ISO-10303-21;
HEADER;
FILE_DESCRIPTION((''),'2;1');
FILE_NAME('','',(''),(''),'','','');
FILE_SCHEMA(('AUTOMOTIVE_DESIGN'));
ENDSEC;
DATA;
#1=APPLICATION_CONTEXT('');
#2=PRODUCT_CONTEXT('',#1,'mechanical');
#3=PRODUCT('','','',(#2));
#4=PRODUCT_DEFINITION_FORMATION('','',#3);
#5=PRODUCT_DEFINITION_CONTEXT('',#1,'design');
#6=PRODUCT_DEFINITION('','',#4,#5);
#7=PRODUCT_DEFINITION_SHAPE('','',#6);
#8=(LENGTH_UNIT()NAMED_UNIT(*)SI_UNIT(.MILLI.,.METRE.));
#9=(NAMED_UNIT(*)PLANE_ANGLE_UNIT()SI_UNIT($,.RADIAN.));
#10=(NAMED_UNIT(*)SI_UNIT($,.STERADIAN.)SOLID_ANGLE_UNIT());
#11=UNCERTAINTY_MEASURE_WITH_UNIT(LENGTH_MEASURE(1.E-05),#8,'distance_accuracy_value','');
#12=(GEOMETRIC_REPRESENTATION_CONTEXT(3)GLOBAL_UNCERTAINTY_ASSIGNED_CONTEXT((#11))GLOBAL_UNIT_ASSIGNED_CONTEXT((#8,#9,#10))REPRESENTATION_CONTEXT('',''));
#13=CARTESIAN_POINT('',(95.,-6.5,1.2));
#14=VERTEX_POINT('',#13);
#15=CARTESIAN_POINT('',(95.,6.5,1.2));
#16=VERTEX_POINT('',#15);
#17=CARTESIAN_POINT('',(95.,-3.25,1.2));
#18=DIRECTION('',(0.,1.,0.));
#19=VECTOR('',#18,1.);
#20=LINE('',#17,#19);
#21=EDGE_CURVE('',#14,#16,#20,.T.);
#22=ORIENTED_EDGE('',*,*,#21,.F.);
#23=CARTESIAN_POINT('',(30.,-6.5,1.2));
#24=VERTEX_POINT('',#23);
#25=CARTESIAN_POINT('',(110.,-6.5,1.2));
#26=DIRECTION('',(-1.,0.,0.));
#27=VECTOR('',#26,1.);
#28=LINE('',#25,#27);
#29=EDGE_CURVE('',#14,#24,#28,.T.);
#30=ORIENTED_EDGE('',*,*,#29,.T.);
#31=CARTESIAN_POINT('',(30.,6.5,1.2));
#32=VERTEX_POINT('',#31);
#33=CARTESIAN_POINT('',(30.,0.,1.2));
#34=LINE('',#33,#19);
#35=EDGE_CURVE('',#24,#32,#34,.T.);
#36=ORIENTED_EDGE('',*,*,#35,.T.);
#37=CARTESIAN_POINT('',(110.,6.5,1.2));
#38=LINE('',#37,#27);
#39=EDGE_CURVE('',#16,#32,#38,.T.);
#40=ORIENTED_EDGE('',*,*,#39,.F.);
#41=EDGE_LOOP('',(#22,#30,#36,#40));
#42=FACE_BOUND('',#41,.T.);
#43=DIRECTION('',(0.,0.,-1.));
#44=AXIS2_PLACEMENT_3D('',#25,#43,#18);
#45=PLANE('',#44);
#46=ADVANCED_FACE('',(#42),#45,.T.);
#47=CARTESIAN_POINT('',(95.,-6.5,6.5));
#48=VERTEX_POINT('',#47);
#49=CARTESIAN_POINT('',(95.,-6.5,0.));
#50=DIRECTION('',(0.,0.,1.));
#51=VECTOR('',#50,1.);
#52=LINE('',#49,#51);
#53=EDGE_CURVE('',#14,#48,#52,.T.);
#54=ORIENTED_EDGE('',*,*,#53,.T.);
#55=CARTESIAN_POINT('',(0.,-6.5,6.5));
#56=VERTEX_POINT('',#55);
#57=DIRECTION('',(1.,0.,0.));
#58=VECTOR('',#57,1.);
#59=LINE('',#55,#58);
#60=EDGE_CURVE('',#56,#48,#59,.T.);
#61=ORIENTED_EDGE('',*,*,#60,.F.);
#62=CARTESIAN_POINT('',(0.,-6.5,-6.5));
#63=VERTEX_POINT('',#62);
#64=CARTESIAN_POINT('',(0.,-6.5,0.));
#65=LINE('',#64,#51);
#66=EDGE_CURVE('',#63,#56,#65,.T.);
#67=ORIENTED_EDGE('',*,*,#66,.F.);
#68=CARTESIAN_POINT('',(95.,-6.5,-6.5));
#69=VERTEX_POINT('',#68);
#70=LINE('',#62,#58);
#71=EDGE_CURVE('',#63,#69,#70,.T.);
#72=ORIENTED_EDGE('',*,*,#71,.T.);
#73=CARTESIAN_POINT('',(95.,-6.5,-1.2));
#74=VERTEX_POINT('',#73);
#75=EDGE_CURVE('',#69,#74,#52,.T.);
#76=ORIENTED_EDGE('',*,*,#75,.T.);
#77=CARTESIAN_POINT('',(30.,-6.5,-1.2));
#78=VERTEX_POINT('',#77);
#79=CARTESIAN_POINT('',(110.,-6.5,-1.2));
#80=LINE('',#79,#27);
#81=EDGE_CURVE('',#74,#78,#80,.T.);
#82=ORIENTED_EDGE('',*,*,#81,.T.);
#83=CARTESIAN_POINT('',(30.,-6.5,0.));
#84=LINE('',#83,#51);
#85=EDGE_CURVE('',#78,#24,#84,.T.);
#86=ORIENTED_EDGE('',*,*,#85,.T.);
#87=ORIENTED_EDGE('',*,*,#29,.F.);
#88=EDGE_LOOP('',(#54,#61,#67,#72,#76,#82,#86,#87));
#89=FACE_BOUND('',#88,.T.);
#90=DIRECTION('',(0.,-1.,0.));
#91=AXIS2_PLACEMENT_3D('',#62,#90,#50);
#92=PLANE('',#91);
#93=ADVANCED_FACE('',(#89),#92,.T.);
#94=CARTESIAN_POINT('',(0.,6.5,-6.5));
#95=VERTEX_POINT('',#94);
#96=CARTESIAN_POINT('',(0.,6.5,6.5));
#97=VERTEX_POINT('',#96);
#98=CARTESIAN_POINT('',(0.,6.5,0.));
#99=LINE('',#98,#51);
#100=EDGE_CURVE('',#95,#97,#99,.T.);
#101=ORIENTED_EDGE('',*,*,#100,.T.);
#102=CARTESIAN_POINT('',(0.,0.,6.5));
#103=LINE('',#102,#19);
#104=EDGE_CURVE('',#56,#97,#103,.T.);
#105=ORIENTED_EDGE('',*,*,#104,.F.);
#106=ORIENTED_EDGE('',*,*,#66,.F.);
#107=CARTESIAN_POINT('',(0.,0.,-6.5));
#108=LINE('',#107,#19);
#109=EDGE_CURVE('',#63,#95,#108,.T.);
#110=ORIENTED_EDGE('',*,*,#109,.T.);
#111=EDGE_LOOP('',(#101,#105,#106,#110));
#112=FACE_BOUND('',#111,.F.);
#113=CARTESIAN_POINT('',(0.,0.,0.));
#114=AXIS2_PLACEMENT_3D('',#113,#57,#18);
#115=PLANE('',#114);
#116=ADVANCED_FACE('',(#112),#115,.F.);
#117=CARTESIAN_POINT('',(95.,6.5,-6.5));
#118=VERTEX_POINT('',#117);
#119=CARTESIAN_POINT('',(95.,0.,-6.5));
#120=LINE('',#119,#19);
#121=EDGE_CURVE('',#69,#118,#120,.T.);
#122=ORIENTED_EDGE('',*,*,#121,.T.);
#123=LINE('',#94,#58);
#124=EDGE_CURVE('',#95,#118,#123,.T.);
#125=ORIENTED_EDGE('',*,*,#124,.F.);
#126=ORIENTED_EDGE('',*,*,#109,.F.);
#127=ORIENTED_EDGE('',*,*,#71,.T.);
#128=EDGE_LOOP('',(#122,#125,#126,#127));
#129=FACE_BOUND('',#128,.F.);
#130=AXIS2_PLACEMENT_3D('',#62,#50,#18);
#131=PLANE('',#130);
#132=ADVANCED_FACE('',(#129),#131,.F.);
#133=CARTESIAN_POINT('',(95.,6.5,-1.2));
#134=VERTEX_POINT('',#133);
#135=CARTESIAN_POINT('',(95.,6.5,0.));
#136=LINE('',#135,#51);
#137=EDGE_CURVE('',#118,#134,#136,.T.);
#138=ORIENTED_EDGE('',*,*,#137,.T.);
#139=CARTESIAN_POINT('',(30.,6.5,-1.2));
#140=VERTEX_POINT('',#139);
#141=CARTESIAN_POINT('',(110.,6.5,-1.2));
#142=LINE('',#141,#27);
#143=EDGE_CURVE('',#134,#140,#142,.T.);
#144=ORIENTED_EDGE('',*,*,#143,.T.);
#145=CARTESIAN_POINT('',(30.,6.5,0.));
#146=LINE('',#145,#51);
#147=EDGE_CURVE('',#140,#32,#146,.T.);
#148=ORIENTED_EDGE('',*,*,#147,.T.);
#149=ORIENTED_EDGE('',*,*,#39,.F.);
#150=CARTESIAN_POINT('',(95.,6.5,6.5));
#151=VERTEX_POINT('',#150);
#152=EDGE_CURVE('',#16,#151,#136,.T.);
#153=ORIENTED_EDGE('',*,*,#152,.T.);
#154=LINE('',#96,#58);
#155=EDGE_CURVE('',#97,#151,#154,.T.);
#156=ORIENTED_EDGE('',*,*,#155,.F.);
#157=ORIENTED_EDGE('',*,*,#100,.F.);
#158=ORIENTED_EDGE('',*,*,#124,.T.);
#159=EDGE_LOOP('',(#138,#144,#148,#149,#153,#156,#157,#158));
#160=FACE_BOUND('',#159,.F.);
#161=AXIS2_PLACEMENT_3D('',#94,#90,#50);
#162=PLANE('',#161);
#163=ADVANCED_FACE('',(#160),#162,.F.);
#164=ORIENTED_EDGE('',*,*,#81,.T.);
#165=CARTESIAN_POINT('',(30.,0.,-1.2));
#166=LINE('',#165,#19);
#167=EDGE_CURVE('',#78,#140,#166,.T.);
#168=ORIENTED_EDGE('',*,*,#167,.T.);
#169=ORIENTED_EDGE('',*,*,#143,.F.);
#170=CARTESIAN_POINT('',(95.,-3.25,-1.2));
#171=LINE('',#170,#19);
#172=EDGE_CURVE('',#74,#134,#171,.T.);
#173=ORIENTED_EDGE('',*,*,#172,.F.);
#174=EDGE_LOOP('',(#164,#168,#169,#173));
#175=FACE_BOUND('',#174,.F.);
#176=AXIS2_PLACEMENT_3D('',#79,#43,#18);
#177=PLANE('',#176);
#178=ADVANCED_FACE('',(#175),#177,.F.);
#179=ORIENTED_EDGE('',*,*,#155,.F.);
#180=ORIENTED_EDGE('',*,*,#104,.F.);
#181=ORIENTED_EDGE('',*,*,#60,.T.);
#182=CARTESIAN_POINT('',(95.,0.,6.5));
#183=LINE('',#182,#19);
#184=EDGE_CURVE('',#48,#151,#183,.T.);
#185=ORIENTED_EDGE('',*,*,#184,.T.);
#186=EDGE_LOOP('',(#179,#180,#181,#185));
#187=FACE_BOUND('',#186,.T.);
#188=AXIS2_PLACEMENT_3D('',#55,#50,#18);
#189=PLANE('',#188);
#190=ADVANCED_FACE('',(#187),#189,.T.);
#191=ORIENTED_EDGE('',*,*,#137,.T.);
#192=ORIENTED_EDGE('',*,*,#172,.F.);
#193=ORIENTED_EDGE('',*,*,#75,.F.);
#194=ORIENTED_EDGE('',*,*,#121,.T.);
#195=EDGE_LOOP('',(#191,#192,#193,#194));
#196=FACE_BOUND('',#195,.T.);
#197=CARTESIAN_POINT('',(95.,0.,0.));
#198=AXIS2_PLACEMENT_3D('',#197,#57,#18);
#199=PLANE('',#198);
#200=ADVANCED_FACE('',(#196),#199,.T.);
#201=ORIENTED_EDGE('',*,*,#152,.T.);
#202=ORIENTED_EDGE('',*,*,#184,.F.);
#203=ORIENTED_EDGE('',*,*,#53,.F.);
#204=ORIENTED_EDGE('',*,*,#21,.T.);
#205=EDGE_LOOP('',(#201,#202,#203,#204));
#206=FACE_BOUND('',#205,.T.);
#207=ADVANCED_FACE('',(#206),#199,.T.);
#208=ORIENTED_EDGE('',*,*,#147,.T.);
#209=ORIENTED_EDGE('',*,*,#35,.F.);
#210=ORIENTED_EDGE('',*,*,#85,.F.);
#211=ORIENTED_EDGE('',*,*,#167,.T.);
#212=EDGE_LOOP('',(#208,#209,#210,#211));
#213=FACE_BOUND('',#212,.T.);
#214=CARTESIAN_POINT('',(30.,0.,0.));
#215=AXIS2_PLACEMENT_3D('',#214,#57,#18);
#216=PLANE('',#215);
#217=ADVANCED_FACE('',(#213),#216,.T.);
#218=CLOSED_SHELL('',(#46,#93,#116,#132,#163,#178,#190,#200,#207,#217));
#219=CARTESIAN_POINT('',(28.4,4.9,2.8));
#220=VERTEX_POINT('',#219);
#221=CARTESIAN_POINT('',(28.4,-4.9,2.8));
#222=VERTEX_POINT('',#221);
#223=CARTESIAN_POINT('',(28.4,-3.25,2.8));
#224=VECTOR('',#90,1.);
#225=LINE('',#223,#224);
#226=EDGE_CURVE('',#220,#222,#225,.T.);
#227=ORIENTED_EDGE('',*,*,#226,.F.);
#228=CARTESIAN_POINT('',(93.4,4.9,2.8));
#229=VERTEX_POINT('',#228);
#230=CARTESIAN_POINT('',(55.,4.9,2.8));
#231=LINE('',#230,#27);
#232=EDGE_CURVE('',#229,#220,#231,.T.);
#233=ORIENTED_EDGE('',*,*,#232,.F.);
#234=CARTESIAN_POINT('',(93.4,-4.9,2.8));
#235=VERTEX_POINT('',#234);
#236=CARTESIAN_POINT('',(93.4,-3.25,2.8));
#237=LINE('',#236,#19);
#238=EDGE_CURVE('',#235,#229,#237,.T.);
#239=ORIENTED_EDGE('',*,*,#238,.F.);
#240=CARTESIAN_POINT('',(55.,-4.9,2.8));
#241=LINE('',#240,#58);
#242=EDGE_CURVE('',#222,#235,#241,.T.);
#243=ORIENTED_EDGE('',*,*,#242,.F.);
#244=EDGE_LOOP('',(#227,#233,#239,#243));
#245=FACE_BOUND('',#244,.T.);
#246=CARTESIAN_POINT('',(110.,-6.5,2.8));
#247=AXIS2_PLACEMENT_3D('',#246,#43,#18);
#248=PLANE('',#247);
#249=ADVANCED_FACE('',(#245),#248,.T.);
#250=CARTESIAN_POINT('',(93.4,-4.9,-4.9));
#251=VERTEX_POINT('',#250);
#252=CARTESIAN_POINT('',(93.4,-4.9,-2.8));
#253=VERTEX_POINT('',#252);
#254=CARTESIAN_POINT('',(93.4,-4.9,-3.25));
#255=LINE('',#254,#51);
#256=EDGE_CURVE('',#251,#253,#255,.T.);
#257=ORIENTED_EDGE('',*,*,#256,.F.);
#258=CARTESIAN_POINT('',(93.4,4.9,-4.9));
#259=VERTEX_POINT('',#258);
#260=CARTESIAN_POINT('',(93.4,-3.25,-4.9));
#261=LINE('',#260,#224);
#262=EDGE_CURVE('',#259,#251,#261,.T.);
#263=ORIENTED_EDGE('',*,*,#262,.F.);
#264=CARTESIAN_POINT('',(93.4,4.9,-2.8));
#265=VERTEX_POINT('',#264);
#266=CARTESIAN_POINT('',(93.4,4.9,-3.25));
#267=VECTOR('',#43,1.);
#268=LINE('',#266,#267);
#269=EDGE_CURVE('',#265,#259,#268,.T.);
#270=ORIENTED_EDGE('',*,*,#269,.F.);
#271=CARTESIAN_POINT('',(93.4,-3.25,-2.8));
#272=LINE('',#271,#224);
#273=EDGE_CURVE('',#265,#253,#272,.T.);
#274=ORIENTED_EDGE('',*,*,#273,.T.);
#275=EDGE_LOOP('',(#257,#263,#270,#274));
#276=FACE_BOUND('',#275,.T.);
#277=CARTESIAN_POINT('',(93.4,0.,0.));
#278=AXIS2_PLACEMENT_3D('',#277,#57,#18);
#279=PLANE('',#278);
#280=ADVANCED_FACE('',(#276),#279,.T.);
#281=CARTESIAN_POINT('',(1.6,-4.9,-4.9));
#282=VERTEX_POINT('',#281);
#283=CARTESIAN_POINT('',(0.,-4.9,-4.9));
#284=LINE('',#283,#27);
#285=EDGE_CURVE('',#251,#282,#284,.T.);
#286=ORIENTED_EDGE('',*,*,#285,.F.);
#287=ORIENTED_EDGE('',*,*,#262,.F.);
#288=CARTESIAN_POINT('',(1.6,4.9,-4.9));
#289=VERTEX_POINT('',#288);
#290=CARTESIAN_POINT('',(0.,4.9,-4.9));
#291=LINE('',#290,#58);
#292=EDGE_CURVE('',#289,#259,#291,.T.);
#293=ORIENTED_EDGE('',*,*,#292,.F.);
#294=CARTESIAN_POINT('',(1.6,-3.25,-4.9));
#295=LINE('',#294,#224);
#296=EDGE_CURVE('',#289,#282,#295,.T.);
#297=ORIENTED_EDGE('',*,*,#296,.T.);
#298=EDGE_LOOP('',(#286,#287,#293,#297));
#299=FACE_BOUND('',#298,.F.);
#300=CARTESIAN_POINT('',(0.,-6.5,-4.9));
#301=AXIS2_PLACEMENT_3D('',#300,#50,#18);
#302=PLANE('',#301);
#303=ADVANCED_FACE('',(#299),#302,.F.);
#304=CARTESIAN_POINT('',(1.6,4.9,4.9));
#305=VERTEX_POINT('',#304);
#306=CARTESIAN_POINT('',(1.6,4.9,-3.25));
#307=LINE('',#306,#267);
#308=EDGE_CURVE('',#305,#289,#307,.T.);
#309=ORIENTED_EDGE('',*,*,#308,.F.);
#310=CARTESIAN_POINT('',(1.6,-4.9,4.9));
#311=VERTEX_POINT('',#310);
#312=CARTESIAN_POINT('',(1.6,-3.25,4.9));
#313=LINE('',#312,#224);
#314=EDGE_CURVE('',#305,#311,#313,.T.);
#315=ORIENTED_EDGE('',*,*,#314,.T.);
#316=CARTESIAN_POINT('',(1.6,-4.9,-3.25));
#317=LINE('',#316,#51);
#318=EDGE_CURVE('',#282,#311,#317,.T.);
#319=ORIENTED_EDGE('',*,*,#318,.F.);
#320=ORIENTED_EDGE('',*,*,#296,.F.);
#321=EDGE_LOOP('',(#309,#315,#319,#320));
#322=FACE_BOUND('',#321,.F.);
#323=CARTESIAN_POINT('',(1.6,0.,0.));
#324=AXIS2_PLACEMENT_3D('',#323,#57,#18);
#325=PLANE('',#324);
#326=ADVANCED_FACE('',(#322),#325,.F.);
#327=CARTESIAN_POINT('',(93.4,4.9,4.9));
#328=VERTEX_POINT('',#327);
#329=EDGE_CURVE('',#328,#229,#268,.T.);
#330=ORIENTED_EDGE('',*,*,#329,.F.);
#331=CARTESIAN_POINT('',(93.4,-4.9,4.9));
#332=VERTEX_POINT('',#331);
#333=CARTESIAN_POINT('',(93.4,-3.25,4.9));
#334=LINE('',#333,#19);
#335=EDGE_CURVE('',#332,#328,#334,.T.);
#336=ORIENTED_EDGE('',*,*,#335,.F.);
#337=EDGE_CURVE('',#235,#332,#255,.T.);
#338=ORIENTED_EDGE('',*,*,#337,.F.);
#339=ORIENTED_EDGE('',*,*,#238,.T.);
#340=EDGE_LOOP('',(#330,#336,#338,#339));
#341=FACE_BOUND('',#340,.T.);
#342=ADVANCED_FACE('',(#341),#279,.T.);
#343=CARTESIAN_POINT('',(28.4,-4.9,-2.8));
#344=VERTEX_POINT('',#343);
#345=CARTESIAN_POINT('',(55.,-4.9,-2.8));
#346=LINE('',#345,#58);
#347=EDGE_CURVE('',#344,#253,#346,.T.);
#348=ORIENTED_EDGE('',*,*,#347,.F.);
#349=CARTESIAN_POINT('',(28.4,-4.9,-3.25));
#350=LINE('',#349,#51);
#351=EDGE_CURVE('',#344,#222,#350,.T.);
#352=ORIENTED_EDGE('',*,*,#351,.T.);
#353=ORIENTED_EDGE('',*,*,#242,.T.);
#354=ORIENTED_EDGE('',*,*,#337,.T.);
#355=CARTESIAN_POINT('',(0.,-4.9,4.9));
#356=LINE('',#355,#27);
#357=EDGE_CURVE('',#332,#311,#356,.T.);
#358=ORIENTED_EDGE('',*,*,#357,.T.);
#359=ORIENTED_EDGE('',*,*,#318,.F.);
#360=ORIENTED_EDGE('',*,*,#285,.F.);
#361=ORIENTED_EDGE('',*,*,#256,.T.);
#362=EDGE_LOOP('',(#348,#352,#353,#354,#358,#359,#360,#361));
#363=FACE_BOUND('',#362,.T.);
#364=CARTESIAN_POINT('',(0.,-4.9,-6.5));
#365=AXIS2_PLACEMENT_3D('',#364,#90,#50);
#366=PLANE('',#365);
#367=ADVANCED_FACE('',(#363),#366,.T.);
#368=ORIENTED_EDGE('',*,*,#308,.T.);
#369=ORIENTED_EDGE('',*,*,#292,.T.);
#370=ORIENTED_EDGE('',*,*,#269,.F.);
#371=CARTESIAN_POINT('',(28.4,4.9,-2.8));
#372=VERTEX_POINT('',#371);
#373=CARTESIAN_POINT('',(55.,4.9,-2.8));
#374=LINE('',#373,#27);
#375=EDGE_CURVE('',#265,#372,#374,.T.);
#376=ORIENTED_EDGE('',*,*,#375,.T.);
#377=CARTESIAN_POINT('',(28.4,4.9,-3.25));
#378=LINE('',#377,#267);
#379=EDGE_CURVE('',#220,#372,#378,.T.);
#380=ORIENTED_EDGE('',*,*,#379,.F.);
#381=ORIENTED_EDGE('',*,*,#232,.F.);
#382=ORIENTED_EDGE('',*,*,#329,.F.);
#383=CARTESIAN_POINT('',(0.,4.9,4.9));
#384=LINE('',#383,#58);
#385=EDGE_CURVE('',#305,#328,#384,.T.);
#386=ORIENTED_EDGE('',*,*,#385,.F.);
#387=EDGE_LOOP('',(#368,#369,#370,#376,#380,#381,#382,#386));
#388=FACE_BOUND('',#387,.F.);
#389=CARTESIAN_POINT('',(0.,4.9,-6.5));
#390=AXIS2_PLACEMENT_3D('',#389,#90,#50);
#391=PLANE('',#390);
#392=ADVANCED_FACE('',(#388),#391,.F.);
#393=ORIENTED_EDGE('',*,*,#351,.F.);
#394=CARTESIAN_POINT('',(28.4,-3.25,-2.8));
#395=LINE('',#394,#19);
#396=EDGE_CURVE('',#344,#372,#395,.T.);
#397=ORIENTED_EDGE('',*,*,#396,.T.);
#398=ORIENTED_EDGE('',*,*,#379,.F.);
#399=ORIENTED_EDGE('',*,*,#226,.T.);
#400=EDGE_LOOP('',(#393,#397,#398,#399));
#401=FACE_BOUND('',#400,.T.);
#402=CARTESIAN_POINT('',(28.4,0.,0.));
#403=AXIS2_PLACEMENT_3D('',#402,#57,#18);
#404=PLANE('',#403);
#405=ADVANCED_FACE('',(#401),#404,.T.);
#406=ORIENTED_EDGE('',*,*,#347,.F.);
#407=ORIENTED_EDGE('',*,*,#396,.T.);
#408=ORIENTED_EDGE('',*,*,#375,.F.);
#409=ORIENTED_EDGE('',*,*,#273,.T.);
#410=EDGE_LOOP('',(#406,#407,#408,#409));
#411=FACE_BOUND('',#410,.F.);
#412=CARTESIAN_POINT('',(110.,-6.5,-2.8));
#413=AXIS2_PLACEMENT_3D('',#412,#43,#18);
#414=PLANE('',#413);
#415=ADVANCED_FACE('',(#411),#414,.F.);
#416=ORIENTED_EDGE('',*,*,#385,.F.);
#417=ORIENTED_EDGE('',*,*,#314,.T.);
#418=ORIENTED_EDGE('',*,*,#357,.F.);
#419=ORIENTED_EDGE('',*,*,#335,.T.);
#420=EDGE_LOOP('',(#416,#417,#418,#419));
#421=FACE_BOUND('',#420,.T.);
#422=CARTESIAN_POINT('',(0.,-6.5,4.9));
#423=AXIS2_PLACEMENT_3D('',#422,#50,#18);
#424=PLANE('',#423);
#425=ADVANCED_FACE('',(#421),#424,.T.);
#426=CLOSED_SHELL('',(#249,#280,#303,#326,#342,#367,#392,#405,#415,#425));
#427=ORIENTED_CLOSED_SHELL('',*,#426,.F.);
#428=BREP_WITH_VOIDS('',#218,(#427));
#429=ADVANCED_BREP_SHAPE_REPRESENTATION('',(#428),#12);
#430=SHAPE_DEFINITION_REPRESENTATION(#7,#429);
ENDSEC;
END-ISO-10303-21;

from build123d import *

# Parameters (mm, degrees)
F0_W     = 13
F0_H     = 13
F1_DEPTH = 95
F3_W     = 13
F3_H     = 2.4
F4_DEPTH = 80
F5_T     = -1.6


with BuildPart() as f1:
    # F0 (on Right) → F1 (new body)
    with BuildSketch(Plane.YZ):
        Rectangle(F0_W, F0_H)
    extrude(amount=F1_DEPTH)

    # F3 (on offset) → F4 (cut)
    with BuildSketch(Plane.YZ.offset(110)):
        Rectangle(F3_W, F3_H)
    extrude(amount=-F4_DEPTH, mode=Mode.SUBTRACT)

    # F5 (hollow: no face is removed)
    offset(amount=F5_T, kind=Kind.INTERSECTION, mode=Mode.SUBTRACT)


solid = f1.part
